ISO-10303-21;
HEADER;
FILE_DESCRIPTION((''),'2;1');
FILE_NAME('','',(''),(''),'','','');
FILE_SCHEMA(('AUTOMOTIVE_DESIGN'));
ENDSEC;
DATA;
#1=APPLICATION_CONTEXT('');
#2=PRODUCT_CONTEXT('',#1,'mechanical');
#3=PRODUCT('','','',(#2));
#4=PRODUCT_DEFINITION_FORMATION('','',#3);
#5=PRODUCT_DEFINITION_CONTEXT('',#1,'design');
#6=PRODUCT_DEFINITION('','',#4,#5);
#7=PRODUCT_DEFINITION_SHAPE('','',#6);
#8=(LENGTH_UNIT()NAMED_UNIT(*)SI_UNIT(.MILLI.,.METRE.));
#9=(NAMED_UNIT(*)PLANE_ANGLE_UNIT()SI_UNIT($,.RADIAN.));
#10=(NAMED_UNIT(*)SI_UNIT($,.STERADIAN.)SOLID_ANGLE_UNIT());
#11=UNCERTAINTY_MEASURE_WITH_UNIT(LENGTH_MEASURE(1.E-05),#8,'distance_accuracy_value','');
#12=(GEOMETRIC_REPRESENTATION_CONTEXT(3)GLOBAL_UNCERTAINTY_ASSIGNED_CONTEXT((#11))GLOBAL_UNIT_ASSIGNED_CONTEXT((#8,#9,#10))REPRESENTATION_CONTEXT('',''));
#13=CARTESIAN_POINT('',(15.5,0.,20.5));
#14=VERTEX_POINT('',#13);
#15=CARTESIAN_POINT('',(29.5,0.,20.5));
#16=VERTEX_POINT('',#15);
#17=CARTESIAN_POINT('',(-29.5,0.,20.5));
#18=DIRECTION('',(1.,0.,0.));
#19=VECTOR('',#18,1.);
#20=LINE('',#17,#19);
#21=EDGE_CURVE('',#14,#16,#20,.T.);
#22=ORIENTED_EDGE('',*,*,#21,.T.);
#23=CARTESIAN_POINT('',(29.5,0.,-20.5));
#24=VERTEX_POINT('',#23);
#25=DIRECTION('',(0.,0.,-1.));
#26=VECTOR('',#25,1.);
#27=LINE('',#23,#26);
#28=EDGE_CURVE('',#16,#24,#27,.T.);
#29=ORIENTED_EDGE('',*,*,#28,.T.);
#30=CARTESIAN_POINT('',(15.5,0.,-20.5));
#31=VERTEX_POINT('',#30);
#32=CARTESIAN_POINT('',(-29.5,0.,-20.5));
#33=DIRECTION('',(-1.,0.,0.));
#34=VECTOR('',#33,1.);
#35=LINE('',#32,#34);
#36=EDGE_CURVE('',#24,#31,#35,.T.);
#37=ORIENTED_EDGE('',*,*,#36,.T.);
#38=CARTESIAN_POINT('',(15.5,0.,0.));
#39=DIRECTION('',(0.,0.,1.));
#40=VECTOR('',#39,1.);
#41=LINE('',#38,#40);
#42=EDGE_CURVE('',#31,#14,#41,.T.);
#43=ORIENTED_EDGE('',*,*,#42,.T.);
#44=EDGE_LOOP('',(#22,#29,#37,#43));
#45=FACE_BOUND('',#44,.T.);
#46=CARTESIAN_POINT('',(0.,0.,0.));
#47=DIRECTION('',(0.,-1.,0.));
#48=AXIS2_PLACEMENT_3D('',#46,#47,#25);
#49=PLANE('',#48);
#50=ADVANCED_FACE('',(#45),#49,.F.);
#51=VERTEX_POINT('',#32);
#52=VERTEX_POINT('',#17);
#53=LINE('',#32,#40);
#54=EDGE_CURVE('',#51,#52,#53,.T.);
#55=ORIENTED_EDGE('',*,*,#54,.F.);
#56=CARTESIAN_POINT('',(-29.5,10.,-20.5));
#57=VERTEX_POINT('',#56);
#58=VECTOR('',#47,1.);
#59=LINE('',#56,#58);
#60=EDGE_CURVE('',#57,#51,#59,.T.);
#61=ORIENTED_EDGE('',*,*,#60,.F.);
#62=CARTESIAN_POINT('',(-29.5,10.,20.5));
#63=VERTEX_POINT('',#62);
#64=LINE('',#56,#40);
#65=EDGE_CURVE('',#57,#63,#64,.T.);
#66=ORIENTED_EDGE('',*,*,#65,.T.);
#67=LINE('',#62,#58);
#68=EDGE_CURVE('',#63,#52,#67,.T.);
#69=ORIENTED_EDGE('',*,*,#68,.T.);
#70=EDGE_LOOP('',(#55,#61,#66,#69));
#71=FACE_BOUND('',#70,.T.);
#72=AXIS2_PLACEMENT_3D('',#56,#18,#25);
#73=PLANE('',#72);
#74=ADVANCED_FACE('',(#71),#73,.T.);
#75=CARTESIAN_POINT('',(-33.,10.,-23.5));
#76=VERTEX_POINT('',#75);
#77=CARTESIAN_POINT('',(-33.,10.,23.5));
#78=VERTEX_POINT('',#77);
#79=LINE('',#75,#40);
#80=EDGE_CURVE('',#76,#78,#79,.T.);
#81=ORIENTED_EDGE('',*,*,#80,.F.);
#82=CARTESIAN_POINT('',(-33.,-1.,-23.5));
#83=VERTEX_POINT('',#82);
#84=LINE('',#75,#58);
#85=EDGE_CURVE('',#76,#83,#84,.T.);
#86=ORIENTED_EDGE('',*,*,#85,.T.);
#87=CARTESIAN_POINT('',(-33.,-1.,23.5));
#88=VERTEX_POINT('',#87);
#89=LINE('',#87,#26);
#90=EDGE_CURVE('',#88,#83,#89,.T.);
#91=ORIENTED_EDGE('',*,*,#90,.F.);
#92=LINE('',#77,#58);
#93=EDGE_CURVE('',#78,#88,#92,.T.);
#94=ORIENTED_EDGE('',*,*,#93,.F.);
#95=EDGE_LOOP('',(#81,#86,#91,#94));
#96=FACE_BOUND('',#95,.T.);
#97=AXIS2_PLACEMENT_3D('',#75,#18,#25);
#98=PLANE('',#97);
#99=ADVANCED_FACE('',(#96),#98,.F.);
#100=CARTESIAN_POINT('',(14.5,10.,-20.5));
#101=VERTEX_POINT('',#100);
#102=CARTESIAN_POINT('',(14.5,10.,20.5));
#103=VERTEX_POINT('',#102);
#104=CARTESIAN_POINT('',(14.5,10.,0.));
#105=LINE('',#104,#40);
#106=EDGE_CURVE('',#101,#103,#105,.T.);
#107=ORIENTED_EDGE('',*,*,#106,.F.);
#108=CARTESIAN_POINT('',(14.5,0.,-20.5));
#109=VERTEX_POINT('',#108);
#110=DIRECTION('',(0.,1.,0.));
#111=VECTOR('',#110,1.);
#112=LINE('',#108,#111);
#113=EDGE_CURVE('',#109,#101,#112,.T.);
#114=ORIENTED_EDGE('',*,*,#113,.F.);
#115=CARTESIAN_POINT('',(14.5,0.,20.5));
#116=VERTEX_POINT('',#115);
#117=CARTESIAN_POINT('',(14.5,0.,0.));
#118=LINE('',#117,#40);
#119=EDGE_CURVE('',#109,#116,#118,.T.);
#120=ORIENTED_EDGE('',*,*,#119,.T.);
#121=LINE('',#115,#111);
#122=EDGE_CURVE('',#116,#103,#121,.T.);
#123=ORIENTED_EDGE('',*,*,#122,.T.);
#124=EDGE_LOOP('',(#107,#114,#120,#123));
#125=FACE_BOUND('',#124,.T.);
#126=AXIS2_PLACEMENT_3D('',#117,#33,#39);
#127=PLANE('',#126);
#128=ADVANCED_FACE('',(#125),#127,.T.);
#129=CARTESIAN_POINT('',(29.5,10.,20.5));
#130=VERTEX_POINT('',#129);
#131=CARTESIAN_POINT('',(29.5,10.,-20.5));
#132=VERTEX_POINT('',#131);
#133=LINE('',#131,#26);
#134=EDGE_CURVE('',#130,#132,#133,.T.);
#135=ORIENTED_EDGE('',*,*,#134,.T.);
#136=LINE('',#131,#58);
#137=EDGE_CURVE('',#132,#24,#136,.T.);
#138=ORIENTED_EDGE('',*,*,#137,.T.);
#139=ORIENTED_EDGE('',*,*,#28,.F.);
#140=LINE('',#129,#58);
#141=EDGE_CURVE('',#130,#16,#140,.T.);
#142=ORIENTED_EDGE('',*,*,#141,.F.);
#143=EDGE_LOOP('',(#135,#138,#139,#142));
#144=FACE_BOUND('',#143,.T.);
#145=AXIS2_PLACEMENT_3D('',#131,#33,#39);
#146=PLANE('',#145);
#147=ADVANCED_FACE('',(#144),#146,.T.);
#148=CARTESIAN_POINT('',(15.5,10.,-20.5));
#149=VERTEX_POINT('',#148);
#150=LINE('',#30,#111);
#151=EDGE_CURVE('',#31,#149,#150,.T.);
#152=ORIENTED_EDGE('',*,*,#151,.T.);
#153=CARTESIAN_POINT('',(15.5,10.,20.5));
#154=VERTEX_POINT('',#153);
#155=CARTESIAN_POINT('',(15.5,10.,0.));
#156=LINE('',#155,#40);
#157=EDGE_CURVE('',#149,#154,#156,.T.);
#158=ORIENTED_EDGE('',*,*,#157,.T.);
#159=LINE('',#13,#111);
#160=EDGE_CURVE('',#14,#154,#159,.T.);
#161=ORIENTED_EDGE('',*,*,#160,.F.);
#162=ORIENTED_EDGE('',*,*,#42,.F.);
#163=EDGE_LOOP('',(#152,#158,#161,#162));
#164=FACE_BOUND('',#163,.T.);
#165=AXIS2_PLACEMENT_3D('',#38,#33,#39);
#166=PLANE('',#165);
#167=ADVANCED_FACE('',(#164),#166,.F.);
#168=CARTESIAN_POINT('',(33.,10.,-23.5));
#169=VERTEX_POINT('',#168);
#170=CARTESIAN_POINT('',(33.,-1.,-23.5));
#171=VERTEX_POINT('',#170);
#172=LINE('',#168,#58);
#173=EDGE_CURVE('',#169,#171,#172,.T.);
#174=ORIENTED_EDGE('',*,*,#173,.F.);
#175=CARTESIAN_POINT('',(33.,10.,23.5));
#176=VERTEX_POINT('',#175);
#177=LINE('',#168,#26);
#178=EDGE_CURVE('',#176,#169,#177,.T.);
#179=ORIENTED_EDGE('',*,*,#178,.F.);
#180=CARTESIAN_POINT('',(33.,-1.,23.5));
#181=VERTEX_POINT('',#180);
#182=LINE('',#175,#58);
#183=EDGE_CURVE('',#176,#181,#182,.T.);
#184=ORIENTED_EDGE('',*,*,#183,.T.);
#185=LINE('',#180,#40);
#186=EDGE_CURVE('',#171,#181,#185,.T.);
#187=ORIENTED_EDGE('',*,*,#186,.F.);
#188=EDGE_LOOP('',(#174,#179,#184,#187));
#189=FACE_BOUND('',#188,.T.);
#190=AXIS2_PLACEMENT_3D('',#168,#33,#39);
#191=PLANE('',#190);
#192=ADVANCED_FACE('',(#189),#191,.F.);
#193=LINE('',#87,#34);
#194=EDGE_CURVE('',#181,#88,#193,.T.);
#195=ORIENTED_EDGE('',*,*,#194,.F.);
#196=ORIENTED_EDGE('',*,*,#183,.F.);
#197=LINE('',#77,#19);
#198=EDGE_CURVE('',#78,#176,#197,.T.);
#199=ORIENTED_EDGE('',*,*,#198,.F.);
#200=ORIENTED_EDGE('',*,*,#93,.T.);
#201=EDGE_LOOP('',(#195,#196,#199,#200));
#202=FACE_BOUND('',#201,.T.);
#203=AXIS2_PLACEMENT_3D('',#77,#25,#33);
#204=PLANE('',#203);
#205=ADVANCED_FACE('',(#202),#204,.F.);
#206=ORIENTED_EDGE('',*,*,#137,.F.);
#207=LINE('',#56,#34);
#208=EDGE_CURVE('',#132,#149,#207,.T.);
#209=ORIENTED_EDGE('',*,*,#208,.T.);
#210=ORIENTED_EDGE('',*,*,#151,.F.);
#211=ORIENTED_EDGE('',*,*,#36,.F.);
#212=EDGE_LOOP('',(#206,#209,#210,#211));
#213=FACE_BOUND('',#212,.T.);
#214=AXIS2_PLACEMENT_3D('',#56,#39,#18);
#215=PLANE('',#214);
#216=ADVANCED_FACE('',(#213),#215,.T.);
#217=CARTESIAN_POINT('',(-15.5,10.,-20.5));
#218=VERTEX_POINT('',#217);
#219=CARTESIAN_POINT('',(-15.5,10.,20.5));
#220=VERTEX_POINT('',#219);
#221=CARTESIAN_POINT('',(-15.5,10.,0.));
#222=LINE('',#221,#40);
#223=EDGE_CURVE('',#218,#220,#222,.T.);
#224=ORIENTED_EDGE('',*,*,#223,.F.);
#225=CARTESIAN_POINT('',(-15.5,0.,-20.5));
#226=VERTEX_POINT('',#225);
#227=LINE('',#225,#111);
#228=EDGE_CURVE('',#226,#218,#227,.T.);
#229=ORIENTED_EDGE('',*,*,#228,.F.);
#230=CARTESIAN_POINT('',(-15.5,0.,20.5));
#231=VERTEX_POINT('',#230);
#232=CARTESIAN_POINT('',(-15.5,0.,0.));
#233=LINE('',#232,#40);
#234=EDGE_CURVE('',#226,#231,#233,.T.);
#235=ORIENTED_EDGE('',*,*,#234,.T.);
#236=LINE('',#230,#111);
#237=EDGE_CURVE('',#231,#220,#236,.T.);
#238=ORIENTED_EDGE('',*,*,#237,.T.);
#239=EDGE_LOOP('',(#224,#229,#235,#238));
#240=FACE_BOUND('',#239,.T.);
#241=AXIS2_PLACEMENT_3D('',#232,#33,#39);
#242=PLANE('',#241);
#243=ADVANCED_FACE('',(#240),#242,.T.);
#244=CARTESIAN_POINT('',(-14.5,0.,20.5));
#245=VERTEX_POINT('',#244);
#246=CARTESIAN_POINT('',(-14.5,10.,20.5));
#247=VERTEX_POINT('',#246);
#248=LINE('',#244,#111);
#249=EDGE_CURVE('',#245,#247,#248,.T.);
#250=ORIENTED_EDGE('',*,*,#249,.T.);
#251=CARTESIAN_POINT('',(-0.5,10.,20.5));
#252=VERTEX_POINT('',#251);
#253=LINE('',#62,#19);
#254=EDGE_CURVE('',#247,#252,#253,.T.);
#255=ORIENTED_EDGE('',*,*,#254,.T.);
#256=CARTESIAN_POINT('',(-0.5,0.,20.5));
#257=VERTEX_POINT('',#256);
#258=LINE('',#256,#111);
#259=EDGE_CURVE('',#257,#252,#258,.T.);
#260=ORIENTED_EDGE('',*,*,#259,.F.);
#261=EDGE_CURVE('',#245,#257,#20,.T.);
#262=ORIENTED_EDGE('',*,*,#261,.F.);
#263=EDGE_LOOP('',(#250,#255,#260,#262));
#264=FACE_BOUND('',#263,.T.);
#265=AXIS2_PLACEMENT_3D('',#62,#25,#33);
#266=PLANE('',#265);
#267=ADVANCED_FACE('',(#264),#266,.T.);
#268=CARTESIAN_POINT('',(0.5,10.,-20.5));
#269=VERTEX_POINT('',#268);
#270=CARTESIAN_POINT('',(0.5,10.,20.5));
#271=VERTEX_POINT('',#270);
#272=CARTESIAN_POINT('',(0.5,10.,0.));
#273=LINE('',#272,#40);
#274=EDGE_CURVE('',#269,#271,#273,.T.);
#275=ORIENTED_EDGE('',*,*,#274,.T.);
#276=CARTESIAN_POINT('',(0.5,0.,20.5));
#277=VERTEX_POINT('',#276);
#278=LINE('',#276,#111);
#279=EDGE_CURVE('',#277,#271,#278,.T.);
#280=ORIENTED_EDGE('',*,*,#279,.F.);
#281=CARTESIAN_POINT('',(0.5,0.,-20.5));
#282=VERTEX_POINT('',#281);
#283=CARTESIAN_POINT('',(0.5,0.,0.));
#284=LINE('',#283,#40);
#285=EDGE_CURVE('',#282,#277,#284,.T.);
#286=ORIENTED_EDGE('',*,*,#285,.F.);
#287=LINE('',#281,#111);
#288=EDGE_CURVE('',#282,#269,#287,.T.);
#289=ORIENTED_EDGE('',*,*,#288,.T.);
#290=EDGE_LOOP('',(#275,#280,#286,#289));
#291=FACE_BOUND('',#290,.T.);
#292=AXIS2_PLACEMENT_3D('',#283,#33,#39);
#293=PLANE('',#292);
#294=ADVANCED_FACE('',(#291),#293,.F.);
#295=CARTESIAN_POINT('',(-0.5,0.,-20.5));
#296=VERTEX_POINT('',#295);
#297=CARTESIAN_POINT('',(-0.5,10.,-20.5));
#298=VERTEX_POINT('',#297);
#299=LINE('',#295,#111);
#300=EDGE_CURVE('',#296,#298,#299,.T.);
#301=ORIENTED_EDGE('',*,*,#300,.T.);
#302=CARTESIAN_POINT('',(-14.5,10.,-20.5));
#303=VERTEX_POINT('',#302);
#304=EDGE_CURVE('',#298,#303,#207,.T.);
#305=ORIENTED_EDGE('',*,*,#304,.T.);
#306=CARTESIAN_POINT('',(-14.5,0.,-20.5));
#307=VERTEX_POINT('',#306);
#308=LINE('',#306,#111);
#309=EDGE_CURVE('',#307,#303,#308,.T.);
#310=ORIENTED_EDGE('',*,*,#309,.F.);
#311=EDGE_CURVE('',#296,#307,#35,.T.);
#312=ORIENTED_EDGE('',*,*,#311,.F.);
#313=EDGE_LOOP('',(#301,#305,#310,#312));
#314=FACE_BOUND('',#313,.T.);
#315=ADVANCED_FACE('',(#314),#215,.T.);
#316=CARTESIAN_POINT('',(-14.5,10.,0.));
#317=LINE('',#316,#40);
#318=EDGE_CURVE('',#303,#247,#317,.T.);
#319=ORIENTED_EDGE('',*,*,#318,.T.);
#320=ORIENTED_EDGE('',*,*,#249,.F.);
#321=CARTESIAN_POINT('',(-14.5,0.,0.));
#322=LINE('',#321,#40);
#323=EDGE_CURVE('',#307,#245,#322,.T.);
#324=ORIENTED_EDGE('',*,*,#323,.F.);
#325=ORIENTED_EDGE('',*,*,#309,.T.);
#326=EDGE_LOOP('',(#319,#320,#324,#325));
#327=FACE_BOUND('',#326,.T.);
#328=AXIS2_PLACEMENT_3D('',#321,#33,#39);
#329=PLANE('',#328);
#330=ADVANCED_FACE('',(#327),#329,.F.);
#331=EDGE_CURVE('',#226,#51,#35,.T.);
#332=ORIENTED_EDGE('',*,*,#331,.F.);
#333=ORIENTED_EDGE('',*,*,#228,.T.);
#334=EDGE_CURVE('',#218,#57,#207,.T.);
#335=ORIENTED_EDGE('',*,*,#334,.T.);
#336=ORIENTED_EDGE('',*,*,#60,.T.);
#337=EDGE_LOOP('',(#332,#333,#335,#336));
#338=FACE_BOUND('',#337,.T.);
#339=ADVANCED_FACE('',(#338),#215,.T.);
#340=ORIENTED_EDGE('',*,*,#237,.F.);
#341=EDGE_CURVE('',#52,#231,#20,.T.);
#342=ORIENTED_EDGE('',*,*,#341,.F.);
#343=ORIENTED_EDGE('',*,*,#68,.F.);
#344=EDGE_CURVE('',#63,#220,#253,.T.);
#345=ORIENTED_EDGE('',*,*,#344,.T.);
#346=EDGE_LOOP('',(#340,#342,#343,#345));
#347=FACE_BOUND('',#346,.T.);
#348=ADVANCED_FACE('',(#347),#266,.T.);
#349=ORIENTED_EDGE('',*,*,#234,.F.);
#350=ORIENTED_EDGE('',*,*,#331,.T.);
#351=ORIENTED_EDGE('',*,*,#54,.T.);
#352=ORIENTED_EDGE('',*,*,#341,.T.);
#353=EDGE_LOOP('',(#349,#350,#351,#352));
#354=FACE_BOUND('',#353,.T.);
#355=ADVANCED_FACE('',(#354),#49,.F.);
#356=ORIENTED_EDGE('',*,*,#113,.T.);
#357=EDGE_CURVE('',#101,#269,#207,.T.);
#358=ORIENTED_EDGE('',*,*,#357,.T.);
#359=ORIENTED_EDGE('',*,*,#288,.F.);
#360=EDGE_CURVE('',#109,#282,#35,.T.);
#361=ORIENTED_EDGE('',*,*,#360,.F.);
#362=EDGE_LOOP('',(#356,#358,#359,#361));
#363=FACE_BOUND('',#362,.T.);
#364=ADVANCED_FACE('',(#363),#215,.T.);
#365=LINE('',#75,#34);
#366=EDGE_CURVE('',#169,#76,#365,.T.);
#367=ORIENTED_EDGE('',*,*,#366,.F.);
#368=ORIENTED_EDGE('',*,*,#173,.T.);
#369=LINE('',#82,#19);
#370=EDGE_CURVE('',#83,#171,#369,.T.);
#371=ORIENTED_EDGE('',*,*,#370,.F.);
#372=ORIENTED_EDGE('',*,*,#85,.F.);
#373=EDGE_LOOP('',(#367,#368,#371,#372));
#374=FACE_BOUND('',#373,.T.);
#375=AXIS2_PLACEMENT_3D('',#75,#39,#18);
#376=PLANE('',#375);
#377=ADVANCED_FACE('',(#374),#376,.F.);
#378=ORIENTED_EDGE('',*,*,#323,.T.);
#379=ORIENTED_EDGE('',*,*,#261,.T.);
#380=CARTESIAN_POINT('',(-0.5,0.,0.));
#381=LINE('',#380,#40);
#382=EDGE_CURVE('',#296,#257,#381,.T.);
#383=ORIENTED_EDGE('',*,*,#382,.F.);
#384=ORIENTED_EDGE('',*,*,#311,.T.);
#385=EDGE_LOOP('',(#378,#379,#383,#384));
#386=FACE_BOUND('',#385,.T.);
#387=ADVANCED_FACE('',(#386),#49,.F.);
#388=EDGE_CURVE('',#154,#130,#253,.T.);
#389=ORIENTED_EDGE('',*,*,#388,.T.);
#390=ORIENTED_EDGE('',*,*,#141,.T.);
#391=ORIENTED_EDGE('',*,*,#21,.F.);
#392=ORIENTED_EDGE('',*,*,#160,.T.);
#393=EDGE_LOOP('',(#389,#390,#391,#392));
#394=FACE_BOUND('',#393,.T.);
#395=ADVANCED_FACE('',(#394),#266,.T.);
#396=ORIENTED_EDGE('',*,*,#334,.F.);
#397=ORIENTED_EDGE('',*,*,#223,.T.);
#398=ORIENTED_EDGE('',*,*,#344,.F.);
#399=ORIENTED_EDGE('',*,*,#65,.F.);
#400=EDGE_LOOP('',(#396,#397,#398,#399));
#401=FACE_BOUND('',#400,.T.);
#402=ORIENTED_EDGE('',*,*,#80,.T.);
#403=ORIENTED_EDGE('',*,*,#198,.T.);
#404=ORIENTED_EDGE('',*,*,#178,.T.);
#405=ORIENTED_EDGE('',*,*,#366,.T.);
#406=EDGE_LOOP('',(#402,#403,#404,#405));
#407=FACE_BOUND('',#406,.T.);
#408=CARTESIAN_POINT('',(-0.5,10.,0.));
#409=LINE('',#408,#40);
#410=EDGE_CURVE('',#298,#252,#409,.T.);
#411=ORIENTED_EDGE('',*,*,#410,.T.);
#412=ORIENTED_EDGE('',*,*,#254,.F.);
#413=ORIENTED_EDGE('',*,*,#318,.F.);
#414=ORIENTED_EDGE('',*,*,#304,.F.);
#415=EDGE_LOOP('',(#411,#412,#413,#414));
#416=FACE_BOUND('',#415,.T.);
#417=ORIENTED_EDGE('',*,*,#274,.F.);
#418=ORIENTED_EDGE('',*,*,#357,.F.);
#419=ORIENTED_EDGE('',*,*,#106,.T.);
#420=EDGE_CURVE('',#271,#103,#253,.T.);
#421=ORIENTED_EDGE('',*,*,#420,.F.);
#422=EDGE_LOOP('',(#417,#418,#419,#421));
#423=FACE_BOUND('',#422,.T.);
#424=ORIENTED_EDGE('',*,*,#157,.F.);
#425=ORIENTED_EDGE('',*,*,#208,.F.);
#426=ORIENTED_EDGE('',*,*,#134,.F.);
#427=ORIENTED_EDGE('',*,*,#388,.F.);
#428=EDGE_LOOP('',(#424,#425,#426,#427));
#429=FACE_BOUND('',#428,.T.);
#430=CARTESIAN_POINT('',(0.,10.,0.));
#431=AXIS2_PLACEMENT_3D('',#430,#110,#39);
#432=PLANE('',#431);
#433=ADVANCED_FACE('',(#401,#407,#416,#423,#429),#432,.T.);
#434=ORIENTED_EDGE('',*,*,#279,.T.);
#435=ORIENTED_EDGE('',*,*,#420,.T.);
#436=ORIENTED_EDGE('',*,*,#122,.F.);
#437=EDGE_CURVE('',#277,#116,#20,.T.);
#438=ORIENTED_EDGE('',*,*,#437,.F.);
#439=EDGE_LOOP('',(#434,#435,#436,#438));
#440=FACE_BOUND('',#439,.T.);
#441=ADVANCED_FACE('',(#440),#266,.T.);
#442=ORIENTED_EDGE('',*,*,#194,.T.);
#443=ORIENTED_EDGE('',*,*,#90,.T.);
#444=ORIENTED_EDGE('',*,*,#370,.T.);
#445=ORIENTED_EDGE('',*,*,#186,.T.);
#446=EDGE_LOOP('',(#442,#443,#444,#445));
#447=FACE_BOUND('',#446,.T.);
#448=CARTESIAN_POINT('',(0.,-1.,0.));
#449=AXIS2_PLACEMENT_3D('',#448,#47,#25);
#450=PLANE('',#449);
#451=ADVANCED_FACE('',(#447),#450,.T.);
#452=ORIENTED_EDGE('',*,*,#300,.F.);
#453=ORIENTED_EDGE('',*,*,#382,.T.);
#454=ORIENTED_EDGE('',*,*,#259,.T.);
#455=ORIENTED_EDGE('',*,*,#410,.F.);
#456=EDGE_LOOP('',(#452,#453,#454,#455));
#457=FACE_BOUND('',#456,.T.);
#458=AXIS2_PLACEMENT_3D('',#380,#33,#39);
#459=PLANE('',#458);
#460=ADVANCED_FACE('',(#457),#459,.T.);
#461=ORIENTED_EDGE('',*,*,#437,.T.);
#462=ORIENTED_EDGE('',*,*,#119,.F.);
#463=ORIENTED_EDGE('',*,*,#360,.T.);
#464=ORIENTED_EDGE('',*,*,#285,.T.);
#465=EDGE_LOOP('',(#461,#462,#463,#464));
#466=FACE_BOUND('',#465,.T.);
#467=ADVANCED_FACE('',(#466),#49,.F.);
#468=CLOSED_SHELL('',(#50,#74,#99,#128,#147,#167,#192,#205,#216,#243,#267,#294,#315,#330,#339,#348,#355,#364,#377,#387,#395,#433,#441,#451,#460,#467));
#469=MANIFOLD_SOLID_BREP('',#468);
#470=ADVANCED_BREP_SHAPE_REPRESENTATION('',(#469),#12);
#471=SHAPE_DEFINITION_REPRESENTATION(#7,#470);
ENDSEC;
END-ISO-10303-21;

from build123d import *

# Parameters (mm, degrees)
SKETCH1_W           = 66
SKETCH1_H           = 47
SKETCH1_W_2         = 59
SKETCH1_H_2         = 41
BOSS_EXTRUDE1_DEPTH = 10
SKETCH3_W           = 66
SKETCH3_H           = 47
BOSS_EXTRUDE2_DEPTH = 1
SKETCH6_W           = 1
SKETCH6_H           = 41
SKETCH6_W_2         = 0.5
BOSS_EXTRUDE3_DEPTH = 10


with BuildPart() as part:
    # Sketch1 → Boss-Extrude1 (new body)
    with BuildSketch(Plane(origin=(0, 0, 0), x_dir=(1, 0, 0), z_dir=(0, 1, 0))):
        Rectangle(SKETCH1_W, SKETCH1_H)
        Rectangle(SKETCH1_W_2, SKETCH1_H_2, mode=Mode.SUBTRACT)
    extrude(amount=BOSS_EXTRUDE1_DEPTH)

    # Sketch3 → Boss-Extrude2 (add)
    with BuildSketch(Plane(origin=(0, 0, 0), x_dir=(-1, 0, 0), z_dir=(0, -1, 0))):
        Rectangle(SKETCH3_W, SKETCH3_H)
    extrude(amount=BOSS_EXTRUDE2_DEPTH)

    # Sketch6 → Boss-Extrude3 (add)
    with BuildSketch(Plane(origin=(0, 10, 0), x_dir=(1, 0, 0), z_dir=(0, 1, 0))):
        with Locations((-15, 0)):
            Rectangle(SKETCH6_W, SKETCH6_H)
        with Locations((-0.25, 0)):
            Rectangle(SKETCH6_W_2, SKETCH6_H)
        with Locations((0.25, 0)):
            Rectangle(SKETCH6_W_2, SKETCH6_H)
        with Locations((15, 0)):
            Rectangle(SKETCH6_W, SKETCH6_H)
    extrude(amount=-BOSS_EXTRUDE3_DEPTH)


solid = part.part
